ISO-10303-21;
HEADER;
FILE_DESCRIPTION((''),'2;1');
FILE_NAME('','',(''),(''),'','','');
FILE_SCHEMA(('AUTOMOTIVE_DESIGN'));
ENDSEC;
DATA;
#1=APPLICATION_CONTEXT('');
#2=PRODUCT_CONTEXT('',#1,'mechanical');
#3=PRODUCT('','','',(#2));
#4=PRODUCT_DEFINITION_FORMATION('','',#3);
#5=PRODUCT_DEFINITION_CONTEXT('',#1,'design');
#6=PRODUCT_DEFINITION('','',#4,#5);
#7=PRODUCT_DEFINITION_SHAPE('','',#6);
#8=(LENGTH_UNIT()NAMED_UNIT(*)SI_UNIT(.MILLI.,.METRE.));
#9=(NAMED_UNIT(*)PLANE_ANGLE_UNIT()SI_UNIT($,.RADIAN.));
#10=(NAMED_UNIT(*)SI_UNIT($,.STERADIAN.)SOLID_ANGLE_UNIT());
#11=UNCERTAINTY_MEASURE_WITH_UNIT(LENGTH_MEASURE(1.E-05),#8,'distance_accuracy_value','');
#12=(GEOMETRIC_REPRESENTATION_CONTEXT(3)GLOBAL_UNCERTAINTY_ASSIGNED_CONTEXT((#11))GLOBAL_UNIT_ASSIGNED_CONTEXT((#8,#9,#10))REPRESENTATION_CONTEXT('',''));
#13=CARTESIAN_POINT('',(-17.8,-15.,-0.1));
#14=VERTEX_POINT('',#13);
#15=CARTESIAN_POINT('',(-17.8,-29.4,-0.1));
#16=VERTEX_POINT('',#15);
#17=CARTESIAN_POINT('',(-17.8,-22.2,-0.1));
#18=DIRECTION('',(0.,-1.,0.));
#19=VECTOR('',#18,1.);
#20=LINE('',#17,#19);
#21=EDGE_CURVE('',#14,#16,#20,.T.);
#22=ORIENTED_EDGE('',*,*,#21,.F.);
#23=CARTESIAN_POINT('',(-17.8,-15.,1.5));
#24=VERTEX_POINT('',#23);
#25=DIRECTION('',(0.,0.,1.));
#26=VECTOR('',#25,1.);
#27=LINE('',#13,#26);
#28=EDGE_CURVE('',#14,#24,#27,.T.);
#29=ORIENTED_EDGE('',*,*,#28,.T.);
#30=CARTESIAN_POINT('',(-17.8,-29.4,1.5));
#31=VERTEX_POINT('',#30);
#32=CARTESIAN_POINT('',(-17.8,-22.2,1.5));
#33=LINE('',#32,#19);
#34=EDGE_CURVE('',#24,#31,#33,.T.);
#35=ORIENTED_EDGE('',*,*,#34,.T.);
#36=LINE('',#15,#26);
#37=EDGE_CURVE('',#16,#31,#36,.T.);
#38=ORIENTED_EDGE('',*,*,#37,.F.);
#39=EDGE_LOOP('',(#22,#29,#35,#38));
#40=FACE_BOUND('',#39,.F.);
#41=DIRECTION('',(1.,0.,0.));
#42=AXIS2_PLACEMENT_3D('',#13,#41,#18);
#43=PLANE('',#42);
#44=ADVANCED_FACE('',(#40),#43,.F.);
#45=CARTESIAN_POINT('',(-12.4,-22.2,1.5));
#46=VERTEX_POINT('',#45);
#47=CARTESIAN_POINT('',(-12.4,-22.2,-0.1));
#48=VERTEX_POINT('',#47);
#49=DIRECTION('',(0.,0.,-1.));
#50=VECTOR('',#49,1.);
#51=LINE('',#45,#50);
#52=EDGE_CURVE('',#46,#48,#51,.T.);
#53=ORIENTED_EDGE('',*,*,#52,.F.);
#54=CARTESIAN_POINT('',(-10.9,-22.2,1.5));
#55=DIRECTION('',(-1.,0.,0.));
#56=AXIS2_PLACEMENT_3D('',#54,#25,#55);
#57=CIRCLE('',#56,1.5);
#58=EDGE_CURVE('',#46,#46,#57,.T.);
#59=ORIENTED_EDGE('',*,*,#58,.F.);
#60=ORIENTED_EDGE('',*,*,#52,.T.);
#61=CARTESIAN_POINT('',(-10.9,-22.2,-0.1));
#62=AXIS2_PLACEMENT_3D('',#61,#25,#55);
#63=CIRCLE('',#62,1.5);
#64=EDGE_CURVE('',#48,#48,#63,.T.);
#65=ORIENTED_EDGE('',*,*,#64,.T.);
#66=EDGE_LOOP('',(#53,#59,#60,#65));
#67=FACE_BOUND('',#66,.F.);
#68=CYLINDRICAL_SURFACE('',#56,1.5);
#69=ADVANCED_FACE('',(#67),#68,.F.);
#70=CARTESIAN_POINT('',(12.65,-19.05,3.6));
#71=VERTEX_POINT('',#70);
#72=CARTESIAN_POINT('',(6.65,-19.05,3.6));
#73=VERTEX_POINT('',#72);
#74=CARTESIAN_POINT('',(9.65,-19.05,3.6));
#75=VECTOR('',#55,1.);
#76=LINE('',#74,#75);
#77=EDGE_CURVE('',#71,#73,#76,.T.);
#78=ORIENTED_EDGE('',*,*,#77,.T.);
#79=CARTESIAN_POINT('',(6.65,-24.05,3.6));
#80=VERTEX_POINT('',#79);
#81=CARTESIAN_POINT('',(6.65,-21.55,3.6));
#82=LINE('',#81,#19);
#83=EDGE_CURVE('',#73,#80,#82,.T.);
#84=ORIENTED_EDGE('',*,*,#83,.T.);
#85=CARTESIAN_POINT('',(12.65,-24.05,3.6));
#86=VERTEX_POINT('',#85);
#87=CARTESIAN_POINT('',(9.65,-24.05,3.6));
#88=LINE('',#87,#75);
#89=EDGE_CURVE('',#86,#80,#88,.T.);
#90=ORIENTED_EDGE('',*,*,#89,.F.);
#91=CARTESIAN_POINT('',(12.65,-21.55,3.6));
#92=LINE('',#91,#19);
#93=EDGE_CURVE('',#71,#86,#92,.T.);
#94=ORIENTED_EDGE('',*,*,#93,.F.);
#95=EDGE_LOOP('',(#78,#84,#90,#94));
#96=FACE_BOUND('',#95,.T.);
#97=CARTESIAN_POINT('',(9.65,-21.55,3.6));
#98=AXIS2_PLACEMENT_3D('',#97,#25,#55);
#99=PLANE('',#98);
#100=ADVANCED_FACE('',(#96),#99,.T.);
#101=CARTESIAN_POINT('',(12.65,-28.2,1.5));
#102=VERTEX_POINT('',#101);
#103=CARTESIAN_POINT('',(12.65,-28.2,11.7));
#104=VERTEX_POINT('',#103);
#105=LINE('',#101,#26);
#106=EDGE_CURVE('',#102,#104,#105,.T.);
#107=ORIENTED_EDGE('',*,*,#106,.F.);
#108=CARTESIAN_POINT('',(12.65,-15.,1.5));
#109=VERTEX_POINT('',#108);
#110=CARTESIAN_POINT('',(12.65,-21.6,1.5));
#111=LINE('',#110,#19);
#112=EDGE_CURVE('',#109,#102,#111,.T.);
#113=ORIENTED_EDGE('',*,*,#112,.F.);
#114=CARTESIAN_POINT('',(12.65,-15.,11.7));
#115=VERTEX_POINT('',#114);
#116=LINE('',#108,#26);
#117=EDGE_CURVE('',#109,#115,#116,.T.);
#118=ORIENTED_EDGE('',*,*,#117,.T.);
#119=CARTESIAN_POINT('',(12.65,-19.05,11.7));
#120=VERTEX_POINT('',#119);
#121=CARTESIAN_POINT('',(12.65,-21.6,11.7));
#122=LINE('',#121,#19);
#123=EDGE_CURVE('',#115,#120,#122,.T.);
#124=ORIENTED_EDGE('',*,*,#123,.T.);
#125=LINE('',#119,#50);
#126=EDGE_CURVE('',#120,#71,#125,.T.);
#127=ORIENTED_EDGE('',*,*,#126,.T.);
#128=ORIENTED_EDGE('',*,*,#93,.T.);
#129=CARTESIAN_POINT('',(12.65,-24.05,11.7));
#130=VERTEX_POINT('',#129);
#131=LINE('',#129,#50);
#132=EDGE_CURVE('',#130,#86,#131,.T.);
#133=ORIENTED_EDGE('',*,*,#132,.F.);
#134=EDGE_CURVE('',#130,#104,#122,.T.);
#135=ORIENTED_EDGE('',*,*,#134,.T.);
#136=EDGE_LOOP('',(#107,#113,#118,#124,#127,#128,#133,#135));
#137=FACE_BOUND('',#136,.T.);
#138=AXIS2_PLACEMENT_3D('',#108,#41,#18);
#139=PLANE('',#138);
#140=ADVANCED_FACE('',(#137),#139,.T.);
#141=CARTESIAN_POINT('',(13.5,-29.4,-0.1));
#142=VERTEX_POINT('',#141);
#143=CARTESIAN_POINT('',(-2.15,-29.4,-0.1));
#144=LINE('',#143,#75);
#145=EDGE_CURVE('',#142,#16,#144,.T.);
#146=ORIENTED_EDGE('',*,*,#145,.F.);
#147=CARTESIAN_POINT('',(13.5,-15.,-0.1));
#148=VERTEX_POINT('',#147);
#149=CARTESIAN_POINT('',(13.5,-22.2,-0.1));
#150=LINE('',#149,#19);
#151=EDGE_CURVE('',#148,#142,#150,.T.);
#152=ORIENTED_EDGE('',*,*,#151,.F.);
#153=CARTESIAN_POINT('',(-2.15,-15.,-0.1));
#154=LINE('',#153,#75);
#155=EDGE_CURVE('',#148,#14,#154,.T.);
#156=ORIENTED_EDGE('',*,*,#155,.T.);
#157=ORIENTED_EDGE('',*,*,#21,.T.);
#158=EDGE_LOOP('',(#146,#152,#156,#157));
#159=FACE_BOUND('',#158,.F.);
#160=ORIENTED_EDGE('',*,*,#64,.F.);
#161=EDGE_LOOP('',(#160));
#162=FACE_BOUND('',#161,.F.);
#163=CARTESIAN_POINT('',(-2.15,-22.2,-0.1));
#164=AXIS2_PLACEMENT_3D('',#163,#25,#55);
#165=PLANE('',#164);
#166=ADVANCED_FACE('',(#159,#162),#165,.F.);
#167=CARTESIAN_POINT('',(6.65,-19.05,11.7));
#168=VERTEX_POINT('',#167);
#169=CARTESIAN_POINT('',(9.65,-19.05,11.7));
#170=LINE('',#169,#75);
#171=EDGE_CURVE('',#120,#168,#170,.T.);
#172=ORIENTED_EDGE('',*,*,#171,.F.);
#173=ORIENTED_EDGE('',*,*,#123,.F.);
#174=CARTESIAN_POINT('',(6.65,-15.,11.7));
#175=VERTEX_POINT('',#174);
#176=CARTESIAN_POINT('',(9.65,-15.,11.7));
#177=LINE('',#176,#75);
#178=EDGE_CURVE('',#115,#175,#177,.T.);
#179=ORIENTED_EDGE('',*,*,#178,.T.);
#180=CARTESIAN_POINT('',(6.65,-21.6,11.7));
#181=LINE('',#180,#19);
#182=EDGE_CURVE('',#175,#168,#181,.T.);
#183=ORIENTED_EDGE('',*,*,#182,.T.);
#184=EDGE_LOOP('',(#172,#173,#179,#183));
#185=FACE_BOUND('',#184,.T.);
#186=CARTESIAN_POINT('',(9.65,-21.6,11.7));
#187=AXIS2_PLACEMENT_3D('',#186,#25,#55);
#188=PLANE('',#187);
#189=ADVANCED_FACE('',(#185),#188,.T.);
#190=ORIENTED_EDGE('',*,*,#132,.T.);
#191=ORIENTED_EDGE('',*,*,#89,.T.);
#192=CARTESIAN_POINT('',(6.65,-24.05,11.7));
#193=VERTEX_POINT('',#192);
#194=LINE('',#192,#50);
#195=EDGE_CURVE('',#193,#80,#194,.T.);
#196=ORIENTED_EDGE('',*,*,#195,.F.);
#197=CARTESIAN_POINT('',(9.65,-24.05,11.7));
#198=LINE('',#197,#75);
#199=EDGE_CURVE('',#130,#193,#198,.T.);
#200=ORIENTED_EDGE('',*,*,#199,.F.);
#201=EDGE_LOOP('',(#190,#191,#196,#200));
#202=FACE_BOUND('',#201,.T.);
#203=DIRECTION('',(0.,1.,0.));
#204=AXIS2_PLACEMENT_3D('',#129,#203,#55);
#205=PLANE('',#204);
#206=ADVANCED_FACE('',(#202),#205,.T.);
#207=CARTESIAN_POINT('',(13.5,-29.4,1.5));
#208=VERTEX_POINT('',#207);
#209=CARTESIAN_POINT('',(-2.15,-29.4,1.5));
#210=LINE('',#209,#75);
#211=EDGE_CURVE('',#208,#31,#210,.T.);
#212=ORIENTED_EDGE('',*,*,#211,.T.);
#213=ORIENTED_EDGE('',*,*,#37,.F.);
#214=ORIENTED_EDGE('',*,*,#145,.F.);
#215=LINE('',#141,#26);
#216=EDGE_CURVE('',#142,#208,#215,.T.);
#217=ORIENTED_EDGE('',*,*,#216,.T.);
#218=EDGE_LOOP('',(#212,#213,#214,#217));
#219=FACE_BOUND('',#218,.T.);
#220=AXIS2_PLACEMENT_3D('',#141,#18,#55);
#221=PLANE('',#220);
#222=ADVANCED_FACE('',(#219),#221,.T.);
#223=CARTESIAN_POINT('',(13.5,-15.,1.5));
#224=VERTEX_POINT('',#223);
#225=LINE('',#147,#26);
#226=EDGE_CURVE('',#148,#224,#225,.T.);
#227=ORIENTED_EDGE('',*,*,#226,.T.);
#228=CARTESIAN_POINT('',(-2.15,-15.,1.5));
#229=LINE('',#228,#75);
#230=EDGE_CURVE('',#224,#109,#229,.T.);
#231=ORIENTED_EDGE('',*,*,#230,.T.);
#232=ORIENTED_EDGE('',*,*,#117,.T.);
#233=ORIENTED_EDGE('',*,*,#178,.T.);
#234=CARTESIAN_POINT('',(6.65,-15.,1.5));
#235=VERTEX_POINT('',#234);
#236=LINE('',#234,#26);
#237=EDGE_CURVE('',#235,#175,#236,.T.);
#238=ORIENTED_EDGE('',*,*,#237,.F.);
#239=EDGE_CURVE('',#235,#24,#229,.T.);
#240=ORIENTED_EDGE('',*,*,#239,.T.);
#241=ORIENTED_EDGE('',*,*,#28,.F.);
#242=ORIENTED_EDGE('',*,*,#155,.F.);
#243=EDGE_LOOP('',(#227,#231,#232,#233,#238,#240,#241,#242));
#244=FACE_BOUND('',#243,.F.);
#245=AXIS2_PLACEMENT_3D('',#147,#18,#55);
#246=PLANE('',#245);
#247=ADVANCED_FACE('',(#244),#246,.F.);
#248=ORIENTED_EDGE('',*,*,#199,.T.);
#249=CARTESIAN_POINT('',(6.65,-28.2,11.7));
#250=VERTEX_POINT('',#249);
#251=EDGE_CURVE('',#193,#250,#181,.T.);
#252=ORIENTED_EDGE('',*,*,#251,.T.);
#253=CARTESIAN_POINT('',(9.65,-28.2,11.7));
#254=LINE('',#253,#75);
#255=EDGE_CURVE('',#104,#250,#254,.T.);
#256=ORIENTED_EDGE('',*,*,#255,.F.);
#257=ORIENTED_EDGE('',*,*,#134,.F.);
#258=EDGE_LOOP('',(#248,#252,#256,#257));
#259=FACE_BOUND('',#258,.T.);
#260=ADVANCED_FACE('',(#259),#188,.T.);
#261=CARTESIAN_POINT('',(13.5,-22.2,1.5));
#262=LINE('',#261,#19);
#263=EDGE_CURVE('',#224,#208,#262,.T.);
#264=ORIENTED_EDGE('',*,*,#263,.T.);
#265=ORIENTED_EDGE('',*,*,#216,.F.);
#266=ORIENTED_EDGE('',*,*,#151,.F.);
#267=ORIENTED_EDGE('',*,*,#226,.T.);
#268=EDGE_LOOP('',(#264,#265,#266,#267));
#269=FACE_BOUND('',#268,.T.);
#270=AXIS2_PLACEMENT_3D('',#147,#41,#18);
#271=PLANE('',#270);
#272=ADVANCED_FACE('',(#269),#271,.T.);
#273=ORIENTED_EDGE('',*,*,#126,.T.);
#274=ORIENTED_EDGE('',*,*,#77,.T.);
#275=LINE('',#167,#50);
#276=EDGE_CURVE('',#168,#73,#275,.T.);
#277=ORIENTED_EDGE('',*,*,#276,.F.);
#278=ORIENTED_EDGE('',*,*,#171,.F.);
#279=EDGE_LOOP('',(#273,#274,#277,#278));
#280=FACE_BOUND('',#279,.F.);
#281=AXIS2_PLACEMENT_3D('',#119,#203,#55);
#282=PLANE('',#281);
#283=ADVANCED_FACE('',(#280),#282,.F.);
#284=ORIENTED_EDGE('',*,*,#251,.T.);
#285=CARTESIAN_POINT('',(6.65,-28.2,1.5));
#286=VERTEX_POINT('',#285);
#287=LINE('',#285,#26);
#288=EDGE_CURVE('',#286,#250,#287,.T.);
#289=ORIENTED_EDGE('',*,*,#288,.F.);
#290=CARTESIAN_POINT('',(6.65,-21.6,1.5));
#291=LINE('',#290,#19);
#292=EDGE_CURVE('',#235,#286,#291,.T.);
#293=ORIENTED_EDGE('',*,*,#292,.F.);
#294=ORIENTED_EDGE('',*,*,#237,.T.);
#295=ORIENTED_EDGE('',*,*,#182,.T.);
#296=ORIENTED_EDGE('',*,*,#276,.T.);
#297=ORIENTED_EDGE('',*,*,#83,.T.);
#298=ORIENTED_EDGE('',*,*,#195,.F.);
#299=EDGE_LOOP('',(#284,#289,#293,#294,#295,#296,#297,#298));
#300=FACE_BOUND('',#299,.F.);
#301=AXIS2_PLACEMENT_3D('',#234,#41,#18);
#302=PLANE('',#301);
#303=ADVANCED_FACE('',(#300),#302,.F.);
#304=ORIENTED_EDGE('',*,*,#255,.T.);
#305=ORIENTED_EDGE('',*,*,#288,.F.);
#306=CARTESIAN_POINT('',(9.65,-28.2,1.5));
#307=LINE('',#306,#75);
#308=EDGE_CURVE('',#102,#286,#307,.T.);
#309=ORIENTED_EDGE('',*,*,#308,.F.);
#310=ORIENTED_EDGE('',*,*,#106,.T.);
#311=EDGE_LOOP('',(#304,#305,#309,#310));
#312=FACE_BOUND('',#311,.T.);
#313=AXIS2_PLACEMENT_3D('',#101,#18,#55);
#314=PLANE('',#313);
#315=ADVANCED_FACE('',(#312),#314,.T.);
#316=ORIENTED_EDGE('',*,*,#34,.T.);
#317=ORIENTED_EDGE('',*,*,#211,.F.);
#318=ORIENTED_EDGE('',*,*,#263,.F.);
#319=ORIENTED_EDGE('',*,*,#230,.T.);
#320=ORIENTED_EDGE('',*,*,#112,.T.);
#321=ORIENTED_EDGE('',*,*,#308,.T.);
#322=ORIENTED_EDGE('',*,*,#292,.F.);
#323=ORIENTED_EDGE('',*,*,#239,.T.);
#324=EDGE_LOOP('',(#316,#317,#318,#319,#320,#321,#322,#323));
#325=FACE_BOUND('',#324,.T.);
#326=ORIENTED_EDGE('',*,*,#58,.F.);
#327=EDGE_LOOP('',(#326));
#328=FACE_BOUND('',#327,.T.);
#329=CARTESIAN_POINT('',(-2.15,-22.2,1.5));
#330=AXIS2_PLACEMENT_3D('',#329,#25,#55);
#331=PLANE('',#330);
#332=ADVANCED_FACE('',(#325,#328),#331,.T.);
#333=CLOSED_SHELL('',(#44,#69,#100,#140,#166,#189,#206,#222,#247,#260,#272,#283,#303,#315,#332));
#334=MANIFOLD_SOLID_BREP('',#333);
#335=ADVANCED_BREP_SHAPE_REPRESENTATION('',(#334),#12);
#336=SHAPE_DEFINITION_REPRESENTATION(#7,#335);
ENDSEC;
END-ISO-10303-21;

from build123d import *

# Parameters (mm, degrees)
SKETCH016_W             = 31.3
SKETCH016_H             = 14.4
PAD007_DEPTH            = 1.6
SKETCH017_R             = 1.5
POCKET006_DEPTH         = 1.6
SKETCH018_W             = 6
SKETCH018_H             = 13.2
PAD008_DEPTH            = 10.2
SKETCH019_W             = 6
SKETCH019_H             = 5
POCKET007_DEPTH         = 8.1
BODY004_PLACEMENT_ANGLE = 180


with BuildPart() as part:
    # Sketch016 → Pad007 (new body)
    with BuildSketch(Plane.XY.offset(-1.6)):
        with Locations((15.65, 7.2)):
            Rectangle(SKETCH016_W, SKETCH016_H)
    extrude(amount=PAD007_DEPTH)

    # Sketch017 (on Face6 of Pad007) → Pocket006 (cut)
    with BuildSketch(Plane.XY):
        with Locations((24.4, 7.2)):
            Circle(SKETCH017_R)
    extrude(amount=-POCKET006_DEPTH, mode=Mode.SUBTRACT)

    # Sketch018 (on Face5 of Pocket006) → Pad008 (join)
    with BuildSketch(Plane.XY):
        with Locations((3.85, 6.6)):
            Rectangle(SKETCH018_W, SKETCH018_H)
    extrude(amount=PAD008_DEPTH)

    # Sketch019 (on Face12 of Pad008) → Pocket007 (cut)
    with BuildSketch(Plane.XY.offset(10.2)):
        with Locations((3.85, 6.55)):
            Rectangle(SKETCH019_W, SKETCH019_H)
    extrude(amount=-POCKET007_DEPTH, mode=Mode.SUBTRACT)


with BuildPart() as part_1:
    # Body004 placement: moved
    add(part.part.moved(Location((13.5, -15, 1.5))).rotate(Axis((13.5, -15, 1.5), (0, 0, 1)), BODY004_PLACEMENT_ANGLE))


solid = part_1.part
